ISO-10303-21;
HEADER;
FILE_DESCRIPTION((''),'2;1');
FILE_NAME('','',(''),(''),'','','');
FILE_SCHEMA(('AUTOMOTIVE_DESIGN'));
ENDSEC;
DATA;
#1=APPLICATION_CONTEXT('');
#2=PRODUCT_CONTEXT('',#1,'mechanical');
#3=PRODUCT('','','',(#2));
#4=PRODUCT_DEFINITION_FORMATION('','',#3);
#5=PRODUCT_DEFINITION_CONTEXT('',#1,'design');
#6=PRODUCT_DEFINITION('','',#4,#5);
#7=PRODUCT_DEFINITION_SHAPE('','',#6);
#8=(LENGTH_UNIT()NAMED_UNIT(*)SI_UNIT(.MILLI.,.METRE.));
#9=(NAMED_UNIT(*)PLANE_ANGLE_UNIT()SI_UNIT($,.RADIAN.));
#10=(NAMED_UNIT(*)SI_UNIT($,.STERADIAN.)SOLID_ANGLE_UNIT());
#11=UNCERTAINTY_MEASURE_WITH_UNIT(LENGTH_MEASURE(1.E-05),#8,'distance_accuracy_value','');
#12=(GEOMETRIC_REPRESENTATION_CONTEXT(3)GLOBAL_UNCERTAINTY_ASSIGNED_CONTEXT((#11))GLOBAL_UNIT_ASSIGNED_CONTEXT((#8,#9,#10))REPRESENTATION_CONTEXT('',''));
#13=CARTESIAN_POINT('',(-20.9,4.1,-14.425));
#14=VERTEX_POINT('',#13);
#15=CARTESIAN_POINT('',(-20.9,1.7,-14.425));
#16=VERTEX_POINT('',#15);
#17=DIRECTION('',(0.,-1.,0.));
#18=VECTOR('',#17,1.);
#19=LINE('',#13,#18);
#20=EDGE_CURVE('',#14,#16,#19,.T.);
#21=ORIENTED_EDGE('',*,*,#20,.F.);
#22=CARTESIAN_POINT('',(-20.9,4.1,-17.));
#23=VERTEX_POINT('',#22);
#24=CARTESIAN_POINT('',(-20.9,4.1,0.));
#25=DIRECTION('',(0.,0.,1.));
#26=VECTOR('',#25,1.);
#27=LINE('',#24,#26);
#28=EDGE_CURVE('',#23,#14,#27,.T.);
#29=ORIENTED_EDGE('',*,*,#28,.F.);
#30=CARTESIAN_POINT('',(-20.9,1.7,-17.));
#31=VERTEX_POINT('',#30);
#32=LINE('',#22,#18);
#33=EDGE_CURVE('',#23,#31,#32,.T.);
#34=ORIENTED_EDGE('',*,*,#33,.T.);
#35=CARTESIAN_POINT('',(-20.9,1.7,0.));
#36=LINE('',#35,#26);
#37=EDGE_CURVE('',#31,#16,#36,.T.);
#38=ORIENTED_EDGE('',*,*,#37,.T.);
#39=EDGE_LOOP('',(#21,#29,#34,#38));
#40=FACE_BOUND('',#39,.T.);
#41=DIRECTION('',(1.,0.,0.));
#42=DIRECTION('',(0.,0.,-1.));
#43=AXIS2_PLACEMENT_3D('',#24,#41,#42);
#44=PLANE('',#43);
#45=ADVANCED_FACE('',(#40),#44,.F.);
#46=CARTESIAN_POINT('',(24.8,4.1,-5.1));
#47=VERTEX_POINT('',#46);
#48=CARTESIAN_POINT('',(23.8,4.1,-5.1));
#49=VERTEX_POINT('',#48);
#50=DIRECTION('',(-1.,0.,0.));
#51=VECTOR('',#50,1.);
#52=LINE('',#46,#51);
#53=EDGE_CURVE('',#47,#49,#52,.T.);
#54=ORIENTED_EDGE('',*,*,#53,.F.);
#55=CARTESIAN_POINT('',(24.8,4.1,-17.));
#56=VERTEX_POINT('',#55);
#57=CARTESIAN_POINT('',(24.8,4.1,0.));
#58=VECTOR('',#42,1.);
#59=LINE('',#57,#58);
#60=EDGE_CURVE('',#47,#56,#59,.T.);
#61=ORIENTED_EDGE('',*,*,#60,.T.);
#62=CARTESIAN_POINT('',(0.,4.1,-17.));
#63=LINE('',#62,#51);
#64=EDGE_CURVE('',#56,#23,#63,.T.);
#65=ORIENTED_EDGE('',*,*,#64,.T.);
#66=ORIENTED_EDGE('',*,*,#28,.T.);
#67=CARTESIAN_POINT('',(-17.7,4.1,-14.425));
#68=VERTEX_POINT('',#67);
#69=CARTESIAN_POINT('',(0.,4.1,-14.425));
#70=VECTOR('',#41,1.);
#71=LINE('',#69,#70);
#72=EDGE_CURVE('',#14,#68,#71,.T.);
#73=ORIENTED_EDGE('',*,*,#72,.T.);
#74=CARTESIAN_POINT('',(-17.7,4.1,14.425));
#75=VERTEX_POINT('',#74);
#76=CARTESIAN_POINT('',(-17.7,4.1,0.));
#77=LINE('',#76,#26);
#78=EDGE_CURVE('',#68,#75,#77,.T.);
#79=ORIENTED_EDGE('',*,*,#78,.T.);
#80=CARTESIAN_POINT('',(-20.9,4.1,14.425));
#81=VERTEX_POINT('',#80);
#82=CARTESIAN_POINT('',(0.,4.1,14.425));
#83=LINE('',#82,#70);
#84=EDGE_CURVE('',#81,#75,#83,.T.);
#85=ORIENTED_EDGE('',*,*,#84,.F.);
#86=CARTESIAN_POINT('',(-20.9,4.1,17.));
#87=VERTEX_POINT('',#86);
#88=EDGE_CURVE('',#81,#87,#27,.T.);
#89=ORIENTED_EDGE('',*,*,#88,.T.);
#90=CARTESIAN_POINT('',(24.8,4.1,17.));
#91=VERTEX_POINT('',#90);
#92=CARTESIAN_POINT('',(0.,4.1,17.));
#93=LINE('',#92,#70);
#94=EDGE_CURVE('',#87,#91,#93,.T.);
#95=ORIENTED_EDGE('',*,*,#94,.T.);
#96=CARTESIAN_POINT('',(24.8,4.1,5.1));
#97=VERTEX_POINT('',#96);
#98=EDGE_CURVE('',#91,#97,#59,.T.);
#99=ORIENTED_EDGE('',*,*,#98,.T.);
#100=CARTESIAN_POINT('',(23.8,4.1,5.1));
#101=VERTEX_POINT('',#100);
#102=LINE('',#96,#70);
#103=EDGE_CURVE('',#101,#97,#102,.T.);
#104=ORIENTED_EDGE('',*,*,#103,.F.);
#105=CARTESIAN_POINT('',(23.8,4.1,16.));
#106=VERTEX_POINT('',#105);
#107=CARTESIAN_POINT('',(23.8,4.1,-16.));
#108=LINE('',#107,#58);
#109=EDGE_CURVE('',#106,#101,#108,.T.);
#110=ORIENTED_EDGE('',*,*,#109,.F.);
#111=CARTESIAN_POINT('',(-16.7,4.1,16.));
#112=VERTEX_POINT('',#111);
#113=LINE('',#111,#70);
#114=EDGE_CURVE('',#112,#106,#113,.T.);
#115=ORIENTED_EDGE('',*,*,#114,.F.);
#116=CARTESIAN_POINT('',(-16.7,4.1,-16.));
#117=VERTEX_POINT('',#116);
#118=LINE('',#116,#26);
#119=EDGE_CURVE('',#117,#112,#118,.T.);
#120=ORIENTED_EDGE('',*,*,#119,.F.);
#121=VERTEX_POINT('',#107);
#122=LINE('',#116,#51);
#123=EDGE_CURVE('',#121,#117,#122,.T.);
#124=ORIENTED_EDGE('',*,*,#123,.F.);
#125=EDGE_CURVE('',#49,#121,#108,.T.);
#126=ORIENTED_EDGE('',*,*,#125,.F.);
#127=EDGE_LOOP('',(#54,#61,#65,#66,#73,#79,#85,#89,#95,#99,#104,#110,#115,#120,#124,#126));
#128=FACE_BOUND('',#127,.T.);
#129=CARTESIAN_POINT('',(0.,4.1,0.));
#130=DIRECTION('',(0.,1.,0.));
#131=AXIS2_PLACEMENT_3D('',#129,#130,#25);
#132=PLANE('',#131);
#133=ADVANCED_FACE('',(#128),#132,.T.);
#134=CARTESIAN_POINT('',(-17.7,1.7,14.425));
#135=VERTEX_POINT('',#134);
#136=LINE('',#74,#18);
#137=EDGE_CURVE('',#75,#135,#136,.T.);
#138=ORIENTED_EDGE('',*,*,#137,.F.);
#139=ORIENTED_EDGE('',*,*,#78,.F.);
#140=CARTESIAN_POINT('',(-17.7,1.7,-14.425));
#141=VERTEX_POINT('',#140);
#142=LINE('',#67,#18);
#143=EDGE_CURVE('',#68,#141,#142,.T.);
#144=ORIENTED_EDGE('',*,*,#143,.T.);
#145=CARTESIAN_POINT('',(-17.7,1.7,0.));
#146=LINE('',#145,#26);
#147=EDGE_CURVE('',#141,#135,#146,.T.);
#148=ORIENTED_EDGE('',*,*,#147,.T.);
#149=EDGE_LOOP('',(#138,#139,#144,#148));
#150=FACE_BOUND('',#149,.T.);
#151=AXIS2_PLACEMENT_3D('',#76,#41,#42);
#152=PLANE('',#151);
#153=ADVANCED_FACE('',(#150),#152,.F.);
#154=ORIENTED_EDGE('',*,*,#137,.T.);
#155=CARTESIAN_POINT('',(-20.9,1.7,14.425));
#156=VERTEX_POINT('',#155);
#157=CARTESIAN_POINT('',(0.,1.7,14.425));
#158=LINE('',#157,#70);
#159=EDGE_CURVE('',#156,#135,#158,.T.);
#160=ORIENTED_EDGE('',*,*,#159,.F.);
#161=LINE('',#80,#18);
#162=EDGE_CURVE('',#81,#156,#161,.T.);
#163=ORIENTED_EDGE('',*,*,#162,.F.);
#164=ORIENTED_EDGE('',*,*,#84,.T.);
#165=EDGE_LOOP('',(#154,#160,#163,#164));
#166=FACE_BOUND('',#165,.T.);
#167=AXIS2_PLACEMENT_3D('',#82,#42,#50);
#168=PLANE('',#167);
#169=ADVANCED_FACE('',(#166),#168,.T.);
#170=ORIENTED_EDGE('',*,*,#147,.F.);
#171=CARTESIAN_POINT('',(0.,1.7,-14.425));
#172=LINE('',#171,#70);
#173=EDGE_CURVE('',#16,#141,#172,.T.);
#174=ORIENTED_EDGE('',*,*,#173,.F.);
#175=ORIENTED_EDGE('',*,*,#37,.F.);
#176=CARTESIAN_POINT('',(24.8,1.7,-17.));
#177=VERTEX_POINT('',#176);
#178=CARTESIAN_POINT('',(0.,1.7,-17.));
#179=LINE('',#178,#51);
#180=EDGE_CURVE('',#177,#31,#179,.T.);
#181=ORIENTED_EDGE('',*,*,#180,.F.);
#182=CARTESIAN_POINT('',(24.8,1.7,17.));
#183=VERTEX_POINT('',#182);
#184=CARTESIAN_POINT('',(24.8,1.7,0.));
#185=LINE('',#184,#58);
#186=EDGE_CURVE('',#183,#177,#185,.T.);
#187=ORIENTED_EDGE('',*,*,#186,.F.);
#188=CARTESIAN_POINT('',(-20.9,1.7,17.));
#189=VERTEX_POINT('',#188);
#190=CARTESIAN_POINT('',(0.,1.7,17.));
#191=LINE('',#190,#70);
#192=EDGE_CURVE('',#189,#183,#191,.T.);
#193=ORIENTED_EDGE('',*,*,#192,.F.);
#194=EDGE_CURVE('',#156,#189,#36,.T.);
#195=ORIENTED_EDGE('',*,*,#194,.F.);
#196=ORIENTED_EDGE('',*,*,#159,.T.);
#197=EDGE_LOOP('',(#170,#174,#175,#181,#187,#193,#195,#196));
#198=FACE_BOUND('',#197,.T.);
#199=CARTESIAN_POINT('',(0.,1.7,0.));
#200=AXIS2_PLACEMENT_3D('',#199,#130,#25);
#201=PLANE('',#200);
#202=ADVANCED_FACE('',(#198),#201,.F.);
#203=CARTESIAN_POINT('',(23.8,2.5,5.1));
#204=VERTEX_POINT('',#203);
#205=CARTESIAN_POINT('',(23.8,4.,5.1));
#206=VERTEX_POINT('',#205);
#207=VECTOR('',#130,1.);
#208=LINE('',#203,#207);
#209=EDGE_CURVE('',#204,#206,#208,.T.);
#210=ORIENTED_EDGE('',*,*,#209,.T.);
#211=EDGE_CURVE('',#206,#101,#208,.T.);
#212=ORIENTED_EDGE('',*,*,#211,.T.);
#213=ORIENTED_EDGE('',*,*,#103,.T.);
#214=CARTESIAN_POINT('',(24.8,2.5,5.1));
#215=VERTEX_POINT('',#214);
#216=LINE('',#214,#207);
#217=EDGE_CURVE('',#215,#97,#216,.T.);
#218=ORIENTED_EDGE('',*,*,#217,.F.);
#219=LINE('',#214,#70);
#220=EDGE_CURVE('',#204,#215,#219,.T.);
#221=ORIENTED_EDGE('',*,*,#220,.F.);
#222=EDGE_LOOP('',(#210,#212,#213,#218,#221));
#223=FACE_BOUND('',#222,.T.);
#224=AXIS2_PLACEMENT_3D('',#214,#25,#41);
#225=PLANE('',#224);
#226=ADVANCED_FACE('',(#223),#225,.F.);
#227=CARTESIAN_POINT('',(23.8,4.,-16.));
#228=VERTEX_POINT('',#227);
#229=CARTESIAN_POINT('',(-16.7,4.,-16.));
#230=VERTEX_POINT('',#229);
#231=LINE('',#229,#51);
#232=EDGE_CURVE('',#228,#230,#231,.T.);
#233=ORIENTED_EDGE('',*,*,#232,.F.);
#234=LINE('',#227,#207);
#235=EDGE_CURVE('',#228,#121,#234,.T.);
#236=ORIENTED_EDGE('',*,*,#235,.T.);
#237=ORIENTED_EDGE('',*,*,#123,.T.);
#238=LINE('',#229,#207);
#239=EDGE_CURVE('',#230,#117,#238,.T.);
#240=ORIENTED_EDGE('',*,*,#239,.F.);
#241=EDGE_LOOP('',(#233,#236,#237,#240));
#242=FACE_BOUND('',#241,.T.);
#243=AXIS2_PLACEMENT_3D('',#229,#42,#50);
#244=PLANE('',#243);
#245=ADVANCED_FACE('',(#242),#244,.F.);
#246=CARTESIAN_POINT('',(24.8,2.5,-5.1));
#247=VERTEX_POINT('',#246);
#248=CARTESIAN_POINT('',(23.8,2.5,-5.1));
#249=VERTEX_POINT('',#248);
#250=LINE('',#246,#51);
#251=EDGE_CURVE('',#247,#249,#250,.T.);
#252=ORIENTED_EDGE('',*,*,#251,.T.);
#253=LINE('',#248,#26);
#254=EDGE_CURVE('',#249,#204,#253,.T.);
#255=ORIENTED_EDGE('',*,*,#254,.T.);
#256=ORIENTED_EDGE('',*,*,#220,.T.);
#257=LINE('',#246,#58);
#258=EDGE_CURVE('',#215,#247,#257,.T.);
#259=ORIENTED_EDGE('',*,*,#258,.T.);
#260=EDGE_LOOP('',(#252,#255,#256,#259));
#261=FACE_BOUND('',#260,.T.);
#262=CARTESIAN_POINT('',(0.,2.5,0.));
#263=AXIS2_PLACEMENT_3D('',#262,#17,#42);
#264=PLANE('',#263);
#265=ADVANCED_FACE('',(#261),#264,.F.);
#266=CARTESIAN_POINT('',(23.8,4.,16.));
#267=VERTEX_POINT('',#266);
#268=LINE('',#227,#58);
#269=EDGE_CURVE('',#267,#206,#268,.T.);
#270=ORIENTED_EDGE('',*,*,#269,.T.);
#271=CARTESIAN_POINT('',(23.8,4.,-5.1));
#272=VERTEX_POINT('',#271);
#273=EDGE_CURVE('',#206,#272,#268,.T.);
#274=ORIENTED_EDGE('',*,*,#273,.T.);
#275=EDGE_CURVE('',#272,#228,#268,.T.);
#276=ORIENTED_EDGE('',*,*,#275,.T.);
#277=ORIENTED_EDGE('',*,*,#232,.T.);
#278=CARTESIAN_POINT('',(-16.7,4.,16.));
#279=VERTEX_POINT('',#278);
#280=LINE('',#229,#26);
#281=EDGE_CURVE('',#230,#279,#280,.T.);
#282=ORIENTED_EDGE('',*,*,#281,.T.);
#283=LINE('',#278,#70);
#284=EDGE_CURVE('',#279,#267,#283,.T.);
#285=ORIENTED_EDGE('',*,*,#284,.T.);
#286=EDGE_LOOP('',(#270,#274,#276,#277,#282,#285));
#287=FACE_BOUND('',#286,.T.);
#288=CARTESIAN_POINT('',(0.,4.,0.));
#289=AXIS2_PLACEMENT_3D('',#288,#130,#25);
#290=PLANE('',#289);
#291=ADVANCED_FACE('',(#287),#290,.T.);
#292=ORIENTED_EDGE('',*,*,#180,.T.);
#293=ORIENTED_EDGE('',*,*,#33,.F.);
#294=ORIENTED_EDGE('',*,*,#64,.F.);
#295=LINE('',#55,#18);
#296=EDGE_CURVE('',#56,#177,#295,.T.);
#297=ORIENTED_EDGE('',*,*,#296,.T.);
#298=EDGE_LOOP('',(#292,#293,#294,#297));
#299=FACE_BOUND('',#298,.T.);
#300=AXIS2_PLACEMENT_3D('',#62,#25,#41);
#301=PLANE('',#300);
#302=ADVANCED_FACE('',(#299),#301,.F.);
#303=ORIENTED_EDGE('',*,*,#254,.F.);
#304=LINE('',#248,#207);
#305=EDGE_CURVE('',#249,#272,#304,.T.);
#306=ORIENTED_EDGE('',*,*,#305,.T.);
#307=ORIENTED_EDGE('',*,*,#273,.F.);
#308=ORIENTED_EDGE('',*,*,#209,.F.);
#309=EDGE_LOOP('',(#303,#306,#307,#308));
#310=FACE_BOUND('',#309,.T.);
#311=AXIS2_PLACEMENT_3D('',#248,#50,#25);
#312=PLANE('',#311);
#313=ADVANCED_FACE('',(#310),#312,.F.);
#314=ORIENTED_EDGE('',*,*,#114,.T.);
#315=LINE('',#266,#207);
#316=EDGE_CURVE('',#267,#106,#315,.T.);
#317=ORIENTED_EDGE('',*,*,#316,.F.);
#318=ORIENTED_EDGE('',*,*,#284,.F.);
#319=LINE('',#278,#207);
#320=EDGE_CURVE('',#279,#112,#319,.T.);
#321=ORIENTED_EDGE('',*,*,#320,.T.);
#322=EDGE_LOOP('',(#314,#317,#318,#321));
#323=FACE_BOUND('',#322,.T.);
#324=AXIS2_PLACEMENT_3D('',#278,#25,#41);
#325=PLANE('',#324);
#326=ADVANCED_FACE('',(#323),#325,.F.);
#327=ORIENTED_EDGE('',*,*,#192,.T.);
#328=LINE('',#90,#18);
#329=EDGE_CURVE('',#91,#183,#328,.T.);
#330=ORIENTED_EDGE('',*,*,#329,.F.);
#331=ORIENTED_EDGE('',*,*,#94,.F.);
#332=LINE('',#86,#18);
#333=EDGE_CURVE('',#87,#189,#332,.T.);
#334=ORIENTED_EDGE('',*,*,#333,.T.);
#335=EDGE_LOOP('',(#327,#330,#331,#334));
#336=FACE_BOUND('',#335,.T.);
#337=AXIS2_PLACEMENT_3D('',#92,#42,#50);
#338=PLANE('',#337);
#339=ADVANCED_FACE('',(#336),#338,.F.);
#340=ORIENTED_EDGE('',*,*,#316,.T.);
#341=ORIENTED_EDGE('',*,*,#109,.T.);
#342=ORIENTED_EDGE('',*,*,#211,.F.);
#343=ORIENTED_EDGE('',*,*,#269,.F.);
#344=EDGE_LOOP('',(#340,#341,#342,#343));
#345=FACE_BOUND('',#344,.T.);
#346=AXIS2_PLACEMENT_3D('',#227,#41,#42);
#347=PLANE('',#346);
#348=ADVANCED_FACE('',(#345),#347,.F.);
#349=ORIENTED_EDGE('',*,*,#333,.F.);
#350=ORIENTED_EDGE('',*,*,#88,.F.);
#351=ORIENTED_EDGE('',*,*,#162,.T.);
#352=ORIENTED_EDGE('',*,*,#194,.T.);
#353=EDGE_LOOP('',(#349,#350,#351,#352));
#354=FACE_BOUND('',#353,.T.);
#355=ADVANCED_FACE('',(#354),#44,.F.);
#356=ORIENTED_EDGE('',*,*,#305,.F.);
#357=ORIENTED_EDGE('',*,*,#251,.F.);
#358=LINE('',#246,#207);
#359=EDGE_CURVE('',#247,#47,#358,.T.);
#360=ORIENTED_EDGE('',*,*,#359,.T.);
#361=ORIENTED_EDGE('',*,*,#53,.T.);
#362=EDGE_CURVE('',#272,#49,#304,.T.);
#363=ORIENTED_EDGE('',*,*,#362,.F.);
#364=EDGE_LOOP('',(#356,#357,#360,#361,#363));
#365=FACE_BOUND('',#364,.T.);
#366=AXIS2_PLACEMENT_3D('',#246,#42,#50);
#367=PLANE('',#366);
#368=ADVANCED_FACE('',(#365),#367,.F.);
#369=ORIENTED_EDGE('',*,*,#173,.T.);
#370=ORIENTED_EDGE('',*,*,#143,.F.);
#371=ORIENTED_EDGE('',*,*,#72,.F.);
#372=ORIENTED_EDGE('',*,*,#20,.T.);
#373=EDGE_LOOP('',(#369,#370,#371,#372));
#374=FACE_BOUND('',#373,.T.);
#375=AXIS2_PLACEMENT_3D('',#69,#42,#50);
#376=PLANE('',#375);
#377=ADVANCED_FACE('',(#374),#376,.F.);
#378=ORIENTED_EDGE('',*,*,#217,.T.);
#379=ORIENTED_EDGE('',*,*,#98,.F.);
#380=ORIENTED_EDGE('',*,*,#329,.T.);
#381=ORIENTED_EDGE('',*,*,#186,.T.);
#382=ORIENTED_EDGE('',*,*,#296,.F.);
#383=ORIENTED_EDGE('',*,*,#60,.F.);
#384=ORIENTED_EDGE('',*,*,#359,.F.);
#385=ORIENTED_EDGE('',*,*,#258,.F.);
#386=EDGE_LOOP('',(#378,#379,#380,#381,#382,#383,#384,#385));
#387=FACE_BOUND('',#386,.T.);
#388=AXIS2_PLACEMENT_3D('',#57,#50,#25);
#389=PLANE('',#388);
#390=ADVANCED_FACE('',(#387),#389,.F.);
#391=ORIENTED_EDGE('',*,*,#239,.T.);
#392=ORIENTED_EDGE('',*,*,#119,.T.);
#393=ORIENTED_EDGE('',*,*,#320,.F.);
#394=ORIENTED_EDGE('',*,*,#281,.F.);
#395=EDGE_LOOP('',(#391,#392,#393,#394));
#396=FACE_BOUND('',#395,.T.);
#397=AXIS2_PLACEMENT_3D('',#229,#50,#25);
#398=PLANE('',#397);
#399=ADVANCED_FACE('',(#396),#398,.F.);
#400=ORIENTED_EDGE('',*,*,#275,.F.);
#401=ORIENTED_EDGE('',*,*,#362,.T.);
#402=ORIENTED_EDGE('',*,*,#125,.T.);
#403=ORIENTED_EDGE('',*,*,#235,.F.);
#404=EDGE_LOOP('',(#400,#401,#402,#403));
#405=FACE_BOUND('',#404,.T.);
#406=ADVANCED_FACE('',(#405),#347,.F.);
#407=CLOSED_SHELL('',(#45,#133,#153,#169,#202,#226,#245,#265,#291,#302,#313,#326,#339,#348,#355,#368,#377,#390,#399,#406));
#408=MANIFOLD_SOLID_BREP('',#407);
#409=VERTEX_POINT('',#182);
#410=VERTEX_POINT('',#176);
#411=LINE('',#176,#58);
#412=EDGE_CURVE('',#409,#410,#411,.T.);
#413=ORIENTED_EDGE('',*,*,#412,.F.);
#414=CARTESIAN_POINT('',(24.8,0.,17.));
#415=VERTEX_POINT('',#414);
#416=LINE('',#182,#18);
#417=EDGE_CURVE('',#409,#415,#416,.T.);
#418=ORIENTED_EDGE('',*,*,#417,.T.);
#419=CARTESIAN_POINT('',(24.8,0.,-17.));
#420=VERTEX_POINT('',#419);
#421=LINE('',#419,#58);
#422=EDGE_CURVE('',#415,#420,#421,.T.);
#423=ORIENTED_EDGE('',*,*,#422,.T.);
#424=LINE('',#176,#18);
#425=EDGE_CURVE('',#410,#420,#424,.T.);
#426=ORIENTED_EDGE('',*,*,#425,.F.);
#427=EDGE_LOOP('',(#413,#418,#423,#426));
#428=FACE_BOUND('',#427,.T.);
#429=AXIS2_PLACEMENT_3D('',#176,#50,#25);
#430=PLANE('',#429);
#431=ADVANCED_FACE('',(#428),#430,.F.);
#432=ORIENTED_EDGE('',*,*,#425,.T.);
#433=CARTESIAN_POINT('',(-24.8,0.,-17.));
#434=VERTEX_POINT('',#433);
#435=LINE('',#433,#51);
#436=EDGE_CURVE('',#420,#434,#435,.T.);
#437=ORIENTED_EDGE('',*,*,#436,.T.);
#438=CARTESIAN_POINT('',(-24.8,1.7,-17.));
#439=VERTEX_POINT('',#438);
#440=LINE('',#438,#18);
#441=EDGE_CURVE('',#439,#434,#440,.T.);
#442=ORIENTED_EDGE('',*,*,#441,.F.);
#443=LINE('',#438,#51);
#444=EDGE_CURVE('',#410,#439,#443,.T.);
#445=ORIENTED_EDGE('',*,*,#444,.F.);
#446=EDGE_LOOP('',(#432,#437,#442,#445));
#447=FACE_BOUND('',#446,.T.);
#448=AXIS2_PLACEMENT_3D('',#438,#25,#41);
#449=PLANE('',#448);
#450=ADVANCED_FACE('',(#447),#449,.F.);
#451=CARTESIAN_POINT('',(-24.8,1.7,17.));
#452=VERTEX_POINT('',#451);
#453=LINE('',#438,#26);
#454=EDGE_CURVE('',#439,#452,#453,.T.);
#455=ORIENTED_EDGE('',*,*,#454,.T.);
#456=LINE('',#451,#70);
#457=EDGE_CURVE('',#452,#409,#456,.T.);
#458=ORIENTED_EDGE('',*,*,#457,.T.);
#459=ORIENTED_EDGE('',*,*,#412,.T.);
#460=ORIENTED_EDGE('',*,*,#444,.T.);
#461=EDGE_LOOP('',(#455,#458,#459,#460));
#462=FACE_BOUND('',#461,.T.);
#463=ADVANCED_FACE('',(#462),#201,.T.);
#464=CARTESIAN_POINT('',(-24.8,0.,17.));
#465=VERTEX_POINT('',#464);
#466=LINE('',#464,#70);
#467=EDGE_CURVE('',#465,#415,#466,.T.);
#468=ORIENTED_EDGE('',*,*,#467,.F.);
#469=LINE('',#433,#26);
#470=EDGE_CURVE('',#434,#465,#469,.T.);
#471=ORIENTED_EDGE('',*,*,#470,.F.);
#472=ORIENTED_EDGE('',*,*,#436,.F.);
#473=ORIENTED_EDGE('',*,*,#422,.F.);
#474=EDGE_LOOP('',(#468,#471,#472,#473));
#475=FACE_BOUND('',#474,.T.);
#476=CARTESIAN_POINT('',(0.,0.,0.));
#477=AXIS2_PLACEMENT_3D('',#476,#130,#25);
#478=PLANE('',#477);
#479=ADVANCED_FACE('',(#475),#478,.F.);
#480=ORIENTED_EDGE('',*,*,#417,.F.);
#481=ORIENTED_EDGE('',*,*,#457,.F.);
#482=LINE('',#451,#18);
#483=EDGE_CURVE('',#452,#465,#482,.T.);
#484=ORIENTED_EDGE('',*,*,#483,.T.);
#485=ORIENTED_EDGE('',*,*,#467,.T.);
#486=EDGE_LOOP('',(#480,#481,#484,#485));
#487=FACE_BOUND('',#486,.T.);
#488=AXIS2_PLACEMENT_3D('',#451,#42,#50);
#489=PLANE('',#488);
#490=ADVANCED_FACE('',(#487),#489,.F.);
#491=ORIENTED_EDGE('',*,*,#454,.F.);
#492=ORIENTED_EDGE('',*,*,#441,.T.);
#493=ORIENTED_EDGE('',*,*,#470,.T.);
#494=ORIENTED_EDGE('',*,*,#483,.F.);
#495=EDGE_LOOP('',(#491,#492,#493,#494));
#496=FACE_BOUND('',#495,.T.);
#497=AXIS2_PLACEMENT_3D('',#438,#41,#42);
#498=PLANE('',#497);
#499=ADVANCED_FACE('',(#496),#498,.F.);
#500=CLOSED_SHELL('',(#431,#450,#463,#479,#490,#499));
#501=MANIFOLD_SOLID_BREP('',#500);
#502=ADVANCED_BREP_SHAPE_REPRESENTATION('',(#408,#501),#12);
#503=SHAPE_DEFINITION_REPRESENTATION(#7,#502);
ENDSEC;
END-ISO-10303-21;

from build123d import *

# Parameters (mm, degrees)
SKETCH1_W           = 49.6
SKETCH1_H           = 34
BOSS_EXTRUDE1_DEPTH = 1.7
BOSS_EXTRUDE2_DEPTH = 2.4
SKETCH4_W           = 40.5
SKETCH4_H           = 32
CUT_EXTRUDE1_DEPTH  = 0.1
SKETCH5_W           = 1
SKETCH5_H           = 10.2
CUT_EXTRUDE2_DEPTH  = 1.6


with BuildPart() as part:
    # Sketch1 → Boss-Extrude1 (new body)
    with BuildSketch(Plane(origin=(0, 0, 0), x_dir=(1, 0, 0), z_dir=(0, 1, 0))):
        Rectangle(SKETCH1_W, SKETCH1_H)
    extrude(amount=BOSS_EXTRUDE1_DEPTH)


with BuildPart() as body_2:
    # Sketch3 → Boss-Extrude2 (new body)
    with BuildSketch(Plane(origin=(0, 1.7, 0), x_dir=(1, 0, 0), z_dir=(0, 1, 0))):
        Polygon((24.8, -17), (24.8, 17), (-20.9, 17), (-20.9, 14.425), (-17.7, 14.425), (-17.7, -14.425), (-20.9, -14.425), (-20.9, -17), align=None)
    extrude(amount=BOSS_EXTRUDE2_DEPTH)

    # Sketch4 → Cut-Extrude1 (cut)
    with BuildSketch(Plane(origin=(0, 4.1, 0), x_dir=(1, 0, 0), z_dir=(0, 1, 0))):
        with Locations((3.55, 0)):
            Rectangle(SKETCH4_W, SKETCH4_H)
    extrude(amount=-CUT_EXTRUDE1_DEPTH, mode=Mode.SUBTRACT)

    # Sketch5 → Cut-Extrude2 (cut)
    with BuildSketch(Plane(origin=(0, 4.1, 0), x_dir=(1, 0, 0), z_dir=(0, 1, 0))):
        with Locations((24.3, 0)):
            Rectangle(SKETCH5_W, SKETCH5_H)
    extrude(amount=-CUT_EXTRUDE2_DEPTH, mode=Mode.SUBTRACT)


solid = Compound([part.part, body_2.part])
